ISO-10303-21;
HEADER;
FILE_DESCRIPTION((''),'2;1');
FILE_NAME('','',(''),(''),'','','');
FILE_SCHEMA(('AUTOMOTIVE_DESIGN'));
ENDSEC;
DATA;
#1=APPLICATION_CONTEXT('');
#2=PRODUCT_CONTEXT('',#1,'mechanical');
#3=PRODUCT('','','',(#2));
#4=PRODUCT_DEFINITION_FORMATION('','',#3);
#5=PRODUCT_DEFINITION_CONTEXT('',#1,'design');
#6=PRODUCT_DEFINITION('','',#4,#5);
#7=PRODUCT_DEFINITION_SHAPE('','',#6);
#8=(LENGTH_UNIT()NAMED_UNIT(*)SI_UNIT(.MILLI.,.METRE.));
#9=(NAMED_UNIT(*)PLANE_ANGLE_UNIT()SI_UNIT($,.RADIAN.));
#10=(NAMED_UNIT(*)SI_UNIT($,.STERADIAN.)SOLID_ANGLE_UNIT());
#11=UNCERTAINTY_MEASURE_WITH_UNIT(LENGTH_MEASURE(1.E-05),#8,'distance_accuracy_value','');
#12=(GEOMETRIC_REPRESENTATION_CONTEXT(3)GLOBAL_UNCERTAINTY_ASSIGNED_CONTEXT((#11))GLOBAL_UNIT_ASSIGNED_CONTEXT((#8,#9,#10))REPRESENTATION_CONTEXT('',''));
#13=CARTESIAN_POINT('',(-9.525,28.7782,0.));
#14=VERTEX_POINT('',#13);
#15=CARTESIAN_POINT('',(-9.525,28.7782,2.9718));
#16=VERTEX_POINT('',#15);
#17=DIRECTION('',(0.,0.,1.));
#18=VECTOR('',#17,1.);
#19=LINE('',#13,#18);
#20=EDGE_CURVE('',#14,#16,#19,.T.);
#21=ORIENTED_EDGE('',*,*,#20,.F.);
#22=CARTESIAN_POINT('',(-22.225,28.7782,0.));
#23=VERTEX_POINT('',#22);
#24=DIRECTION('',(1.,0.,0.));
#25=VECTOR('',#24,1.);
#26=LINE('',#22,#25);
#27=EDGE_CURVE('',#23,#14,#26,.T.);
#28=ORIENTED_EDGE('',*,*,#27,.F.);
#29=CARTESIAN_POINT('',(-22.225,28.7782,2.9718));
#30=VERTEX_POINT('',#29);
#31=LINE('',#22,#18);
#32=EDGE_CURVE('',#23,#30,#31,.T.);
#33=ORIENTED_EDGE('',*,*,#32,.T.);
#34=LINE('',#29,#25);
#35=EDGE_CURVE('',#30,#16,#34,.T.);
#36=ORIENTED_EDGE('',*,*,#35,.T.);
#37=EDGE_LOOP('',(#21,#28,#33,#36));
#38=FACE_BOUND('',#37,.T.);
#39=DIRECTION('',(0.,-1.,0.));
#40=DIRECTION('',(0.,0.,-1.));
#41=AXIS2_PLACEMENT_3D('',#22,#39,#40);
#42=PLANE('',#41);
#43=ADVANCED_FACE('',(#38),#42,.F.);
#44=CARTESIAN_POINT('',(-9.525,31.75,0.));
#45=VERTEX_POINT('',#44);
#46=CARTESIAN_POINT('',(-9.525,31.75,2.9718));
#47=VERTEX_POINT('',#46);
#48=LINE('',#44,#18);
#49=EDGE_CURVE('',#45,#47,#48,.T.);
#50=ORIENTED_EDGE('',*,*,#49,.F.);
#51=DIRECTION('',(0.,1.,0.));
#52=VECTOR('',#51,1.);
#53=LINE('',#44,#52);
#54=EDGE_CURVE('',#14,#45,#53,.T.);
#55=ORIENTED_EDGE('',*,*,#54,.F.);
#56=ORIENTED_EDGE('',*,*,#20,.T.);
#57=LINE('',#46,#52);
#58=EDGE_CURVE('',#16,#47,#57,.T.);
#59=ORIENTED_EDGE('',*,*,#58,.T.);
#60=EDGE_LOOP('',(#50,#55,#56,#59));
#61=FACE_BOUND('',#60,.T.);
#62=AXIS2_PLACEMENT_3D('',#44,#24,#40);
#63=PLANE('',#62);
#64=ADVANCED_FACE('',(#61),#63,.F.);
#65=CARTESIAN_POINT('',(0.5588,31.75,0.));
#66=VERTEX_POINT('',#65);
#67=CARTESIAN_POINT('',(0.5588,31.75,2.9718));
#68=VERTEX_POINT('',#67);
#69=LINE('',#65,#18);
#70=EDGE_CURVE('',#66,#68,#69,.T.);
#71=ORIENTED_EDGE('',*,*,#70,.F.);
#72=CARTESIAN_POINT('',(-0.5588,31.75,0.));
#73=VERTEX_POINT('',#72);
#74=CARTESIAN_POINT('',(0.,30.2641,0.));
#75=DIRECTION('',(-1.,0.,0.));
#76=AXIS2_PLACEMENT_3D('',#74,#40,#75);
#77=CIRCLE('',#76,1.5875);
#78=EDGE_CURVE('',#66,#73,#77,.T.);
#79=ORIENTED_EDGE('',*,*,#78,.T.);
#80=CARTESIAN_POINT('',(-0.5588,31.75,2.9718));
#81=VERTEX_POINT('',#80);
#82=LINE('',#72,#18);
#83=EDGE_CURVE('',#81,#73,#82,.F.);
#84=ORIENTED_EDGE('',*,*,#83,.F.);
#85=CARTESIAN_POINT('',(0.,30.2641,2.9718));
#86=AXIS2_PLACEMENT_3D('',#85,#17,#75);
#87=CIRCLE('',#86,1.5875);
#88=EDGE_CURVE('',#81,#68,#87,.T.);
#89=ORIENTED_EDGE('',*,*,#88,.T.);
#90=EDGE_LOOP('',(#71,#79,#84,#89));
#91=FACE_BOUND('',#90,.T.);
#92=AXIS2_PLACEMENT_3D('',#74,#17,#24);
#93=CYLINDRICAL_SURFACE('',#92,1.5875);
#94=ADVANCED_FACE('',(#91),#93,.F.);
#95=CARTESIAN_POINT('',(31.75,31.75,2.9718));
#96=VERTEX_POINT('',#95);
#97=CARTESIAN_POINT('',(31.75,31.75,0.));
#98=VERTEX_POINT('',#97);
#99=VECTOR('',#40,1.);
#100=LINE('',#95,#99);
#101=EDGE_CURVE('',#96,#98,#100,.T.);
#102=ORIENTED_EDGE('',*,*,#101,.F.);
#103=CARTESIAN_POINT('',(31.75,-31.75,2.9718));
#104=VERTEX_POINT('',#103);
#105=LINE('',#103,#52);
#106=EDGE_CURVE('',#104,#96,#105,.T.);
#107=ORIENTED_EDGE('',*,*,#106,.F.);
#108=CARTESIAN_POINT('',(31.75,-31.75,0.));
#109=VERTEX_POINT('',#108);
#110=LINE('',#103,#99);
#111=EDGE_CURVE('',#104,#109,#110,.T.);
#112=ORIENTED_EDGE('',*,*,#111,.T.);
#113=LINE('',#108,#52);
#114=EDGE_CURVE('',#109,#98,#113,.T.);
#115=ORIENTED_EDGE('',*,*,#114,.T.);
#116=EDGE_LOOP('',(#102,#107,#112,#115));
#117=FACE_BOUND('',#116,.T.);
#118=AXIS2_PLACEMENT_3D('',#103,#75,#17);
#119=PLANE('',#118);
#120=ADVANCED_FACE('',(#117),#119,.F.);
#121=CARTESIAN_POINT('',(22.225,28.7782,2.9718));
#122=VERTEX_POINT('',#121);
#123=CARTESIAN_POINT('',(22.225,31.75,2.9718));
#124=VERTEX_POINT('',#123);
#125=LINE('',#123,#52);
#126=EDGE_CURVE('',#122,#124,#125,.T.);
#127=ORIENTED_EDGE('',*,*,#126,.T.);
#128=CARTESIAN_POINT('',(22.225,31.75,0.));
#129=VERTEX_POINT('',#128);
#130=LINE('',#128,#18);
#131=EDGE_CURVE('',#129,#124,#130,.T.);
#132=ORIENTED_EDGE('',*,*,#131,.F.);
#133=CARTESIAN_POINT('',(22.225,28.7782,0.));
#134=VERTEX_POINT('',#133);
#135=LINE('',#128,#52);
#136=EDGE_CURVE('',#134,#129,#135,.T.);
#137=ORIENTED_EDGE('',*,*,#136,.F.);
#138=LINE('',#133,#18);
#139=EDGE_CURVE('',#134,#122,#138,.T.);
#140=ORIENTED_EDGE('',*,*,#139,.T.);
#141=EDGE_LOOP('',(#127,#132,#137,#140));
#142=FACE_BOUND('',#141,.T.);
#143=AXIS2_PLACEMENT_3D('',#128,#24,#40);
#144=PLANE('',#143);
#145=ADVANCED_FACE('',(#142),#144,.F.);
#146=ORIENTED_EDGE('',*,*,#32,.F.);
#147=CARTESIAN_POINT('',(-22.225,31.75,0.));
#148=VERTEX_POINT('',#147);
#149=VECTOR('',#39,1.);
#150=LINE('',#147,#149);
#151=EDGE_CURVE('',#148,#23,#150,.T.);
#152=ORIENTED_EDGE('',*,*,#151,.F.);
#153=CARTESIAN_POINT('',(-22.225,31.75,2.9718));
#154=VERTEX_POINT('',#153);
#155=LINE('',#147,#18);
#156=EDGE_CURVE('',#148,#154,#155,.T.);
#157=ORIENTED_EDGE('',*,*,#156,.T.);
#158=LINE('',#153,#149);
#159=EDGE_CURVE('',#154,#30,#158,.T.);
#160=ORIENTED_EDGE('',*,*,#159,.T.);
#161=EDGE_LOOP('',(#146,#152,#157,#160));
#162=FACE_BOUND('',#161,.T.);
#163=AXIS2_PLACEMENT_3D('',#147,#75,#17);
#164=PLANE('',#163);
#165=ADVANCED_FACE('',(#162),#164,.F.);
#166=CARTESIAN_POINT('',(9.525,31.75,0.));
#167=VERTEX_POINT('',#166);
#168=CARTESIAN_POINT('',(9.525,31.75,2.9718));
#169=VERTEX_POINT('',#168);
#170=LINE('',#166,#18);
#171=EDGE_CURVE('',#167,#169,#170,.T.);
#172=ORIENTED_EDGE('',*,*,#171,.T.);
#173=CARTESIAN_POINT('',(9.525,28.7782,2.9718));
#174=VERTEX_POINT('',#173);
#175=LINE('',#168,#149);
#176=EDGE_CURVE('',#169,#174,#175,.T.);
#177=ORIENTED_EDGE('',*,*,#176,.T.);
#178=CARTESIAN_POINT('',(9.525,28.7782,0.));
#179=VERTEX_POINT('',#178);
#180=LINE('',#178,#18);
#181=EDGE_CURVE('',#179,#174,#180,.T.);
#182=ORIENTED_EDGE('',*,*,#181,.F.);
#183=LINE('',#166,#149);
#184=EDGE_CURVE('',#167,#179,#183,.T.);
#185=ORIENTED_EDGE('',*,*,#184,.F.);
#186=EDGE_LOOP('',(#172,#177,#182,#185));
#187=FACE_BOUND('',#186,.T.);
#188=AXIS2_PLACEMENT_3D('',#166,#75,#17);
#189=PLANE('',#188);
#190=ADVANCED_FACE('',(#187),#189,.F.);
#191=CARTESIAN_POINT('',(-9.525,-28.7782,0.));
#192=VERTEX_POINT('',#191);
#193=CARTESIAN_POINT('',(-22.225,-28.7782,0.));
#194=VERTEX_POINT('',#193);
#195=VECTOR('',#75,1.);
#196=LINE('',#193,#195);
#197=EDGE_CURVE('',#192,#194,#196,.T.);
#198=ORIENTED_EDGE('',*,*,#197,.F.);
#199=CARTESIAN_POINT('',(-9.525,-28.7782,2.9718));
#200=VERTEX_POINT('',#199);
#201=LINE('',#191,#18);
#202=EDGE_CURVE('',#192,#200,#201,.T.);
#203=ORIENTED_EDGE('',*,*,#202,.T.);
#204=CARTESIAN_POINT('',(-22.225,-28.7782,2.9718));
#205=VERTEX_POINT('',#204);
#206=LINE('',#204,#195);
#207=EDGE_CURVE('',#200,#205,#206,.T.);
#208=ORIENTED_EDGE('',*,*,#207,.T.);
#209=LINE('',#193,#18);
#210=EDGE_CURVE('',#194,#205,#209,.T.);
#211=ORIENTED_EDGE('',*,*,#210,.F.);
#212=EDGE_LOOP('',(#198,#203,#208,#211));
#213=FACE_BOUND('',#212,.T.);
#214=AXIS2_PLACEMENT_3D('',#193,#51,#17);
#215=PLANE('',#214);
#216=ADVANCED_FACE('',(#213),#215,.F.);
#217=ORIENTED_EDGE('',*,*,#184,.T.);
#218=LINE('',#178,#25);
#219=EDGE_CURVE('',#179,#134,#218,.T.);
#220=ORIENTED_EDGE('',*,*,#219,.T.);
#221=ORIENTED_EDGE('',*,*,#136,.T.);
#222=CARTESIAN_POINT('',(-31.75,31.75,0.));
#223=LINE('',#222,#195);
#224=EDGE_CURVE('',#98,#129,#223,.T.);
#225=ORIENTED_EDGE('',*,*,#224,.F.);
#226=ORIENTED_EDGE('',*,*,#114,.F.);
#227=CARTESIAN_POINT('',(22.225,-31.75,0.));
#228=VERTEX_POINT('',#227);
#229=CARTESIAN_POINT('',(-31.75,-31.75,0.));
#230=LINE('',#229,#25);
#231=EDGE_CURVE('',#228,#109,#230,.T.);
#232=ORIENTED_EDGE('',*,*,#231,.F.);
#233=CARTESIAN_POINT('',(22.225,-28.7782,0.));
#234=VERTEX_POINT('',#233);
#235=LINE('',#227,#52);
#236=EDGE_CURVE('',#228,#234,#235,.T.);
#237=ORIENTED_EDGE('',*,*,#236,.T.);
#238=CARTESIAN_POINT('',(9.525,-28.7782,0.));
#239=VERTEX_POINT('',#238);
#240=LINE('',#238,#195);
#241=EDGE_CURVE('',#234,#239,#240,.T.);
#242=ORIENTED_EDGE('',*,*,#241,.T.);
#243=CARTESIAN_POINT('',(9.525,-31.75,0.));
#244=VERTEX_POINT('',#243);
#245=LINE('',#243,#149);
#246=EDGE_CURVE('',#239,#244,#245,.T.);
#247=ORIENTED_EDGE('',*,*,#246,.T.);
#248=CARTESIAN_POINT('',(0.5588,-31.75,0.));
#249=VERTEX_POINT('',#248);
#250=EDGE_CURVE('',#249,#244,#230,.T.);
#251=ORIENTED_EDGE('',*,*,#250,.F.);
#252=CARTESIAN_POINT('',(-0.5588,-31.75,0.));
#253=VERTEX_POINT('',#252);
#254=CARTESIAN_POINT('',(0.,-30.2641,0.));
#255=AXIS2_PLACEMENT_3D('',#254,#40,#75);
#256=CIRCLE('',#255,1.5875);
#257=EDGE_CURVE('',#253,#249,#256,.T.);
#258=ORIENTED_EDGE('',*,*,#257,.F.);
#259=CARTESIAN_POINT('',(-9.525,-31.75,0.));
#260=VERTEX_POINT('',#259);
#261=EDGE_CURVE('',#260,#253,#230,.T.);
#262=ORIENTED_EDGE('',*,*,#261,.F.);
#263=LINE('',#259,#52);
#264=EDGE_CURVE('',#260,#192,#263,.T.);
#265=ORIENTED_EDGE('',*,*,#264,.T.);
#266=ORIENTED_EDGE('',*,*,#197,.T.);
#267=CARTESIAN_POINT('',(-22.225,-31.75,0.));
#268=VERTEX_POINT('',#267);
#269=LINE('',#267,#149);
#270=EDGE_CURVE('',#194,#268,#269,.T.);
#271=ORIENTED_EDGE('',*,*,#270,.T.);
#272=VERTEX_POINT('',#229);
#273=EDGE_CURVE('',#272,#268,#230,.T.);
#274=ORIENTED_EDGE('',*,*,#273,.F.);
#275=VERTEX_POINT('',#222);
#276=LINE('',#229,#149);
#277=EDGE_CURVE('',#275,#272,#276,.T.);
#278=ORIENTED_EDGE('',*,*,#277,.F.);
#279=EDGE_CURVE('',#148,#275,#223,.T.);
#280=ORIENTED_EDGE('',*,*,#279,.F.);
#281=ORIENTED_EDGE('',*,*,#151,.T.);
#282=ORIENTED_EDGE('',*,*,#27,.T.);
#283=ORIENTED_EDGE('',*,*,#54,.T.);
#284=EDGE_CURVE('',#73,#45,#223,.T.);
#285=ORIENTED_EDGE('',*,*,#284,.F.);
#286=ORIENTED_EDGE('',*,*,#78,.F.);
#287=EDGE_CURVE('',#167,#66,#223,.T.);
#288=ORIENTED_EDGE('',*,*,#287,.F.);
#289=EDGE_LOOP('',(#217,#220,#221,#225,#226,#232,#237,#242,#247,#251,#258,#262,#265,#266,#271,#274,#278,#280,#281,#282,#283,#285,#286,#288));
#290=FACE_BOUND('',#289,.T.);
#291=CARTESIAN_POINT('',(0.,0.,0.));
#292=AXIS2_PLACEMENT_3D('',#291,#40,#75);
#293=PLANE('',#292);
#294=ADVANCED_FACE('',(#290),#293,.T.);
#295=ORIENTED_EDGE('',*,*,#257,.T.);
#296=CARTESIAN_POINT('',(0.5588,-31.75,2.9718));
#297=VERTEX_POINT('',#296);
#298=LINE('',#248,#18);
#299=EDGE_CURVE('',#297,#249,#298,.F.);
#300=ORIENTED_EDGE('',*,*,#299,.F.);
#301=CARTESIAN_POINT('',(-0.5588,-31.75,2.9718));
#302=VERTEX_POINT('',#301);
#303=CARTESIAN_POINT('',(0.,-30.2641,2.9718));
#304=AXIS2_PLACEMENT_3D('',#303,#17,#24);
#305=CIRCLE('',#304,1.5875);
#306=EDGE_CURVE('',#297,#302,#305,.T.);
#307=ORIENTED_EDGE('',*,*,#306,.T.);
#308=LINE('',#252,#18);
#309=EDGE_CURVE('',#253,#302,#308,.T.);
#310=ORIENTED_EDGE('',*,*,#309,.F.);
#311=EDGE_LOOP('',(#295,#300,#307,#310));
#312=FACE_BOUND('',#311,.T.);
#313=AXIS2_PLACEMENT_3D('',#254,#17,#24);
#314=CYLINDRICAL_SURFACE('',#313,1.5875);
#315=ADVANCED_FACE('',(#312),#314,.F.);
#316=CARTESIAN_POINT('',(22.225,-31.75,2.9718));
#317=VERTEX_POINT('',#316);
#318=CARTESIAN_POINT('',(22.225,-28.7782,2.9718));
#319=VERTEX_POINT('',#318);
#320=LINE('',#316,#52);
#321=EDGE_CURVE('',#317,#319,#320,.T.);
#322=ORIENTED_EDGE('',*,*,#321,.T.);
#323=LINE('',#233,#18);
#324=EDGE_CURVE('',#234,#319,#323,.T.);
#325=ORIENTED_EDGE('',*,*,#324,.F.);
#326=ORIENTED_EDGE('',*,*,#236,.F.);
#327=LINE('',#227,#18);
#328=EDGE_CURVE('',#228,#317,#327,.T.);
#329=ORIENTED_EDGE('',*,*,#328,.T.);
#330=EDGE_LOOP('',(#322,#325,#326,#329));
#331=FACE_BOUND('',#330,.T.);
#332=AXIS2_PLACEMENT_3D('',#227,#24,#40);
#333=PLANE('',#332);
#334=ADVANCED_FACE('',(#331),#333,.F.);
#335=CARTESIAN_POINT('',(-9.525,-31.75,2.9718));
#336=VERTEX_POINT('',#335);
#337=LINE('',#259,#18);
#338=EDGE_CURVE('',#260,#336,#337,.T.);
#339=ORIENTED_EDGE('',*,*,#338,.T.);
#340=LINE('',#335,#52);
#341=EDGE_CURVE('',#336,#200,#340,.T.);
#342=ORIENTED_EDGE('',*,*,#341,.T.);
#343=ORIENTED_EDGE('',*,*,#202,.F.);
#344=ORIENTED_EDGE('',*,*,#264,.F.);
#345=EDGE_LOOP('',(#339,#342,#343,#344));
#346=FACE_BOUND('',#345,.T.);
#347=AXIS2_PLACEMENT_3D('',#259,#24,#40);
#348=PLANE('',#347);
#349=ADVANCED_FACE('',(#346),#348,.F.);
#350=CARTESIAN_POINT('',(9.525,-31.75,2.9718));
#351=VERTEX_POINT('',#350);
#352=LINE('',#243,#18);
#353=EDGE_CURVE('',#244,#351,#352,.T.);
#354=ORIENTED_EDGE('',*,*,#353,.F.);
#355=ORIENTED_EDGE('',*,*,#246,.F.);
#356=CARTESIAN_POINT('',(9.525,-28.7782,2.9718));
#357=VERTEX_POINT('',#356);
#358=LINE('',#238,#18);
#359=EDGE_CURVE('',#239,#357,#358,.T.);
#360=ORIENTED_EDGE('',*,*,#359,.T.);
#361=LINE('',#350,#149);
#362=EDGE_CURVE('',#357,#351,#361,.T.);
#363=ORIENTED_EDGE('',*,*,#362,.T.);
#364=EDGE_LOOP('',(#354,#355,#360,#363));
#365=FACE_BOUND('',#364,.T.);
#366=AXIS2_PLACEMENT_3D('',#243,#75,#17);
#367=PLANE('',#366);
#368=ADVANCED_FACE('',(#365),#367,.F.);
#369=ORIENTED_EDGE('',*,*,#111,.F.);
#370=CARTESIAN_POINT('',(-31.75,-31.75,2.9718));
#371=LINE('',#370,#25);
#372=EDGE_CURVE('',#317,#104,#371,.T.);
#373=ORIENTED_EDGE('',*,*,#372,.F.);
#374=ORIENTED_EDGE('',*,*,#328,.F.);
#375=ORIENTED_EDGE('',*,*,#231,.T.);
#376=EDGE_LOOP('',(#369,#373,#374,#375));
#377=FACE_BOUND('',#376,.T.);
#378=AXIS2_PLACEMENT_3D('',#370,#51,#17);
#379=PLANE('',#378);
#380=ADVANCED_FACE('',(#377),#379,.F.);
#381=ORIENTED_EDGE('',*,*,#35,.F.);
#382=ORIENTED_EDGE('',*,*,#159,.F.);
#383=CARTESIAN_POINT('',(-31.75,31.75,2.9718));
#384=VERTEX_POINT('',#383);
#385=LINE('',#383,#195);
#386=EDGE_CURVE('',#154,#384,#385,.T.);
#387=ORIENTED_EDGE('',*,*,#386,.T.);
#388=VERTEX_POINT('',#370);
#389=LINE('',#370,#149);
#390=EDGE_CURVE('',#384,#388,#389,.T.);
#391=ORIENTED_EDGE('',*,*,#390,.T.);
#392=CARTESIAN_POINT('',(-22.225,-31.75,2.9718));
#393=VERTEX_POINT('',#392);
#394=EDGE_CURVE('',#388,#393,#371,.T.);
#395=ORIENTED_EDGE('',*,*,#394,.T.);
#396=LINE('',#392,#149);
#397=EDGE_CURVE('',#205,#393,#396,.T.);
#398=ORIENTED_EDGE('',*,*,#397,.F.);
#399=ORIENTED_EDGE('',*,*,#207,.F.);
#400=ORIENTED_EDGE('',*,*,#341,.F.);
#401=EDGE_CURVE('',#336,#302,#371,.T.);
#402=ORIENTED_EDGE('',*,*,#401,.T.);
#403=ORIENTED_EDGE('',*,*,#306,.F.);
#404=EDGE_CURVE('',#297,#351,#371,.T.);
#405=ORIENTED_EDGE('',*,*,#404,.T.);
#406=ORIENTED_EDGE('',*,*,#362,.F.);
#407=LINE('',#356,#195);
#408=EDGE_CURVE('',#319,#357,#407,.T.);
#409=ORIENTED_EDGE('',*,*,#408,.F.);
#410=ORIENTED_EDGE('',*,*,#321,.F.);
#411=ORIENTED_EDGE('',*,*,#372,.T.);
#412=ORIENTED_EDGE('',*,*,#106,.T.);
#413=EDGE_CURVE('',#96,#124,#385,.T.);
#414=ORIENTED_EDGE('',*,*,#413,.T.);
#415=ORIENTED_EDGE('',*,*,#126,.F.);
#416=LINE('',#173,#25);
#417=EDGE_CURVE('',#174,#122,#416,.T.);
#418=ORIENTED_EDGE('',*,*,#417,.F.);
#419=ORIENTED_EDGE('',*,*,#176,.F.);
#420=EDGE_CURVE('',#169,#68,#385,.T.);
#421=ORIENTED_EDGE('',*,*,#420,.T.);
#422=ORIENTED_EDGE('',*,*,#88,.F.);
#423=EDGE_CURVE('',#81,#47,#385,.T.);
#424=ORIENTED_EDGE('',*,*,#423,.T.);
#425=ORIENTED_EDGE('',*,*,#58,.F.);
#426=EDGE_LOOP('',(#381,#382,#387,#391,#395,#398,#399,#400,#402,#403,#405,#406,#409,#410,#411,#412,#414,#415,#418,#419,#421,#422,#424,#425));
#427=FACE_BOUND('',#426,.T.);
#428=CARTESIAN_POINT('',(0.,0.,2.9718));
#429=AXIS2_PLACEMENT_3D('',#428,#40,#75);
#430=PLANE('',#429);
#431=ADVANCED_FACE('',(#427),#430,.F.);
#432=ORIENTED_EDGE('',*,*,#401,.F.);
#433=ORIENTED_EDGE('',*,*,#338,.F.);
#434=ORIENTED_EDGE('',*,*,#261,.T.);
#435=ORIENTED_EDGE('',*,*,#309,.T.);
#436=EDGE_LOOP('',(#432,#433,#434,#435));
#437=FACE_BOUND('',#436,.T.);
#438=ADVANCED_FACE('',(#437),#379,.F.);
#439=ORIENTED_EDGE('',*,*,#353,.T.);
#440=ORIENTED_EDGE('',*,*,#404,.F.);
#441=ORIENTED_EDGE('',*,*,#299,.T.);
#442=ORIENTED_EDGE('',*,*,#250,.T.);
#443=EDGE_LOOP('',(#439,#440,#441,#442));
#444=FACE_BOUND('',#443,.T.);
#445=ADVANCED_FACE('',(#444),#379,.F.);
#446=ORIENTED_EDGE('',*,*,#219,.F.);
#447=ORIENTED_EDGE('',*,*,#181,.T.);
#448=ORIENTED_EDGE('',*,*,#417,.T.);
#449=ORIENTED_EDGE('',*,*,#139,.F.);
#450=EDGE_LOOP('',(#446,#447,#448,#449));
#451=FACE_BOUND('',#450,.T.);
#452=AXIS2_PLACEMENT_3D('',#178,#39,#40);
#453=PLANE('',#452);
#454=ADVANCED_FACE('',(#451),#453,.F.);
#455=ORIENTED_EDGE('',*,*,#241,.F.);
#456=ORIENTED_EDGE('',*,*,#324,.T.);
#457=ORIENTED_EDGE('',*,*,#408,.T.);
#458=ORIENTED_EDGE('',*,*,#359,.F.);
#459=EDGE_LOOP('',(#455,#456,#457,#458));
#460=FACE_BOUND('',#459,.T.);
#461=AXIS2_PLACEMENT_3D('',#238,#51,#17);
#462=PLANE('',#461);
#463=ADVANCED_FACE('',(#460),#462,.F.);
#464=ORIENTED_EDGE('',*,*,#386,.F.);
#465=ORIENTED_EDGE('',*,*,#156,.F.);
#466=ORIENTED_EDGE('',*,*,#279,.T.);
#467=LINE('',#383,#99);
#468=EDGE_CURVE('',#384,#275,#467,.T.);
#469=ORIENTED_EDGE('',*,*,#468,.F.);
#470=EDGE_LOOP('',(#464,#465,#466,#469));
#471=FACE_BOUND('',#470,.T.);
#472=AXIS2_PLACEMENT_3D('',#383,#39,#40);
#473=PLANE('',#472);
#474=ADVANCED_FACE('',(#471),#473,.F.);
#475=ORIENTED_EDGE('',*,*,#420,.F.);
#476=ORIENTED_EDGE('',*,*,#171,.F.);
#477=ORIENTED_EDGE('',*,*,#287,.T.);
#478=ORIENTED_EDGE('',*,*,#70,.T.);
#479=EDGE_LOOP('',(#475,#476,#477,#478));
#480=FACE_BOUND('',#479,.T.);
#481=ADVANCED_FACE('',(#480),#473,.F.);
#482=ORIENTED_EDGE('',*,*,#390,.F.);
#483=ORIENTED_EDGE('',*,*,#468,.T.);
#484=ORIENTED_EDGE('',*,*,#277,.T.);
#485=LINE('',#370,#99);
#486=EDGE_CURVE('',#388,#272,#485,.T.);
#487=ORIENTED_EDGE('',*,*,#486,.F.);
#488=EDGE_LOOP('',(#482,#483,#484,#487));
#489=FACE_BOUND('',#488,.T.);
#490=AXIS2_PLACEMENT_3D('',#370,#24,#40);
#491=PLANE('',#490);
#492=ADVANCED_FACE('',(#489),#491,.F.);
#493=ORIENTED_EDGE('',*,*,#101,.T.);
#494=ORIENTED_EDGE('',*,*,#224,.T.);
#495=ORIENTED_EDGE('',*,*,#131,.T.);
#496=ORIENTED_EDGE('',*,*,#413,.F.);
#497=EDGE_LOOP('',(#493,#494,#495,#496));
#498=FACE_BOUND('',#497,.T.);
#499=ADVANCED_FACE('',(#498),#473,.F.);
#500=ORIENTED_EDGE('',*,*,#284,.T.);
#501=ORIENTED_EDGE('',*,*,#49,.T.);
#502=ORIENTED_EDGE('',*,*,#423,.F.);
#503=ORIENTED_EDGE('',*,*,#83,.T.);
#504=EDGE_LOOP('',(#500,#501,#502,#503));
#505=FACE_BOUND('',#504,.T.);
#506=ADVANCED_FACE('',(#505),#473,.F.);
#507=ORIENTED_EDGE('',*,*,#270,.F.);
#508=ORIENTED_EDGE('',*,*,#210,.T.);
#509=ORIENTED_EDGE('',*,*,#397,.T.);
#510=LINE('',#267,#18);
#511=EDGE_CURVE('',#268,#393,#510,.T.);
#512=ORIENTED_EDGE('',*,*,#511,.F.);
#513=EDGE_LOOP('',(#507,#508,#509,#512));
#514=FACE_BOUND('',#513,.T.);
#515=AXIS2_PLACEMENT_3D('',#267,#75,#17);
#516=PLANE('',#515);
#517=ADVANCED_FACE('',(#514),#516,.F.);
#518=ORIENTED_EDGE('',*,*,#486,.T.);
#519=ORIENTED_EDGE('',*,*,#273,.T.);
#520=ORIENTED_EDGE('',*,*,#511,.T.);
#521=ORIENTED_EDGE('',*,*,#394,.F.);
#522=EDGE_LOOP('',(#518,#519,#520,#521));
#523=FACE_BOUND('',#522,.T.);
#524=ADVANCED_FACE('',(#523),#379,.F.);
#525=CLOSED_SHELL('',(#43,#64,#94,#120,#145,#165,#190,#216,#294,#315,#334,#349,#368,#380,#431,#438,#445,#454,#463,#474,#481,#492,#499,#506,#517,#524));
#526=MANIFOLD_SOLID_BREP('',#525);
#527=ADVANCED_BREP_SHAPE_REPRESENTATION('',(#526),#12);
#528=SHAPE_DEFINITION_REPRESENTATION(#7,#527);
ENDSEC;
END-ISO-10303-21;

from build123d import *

# Parameters (mm, degrees)
SKETCH1_W           = 63.5
SKETCH1_H           = 63.5
BOSS_EXTRUDE1_DEPTH = 2.9718
SKETCH2_R           = 1.5875
SKETCH2_W           = 12.7
SKETCH2_H           = 2.9718
CUT_EXTRUDE1_DEPTH  = 45.999517722


with BuildPart() as part:
    # Sketch1 → Boss-Extrude1 (new body)
    with BuildSketch(Plane.XY):
        Rectangle(SKETCH1_W, SKETCH1_H)
    extrude(amount=BOSS_EXTRUDE1_DEPTH)

    # Sketch2 → Cut-Extrude1 (cut, through all)
    with BuildSketch(Plane.XY.offset(2.9718)):
        with Locations((0, -30.2641)):
            Circle(SKETCH2_R)
        with Locations((0, 30.2641)):
            Circle(SKETCH2_R)
        with Locations((15.875, -30.2641)):
            Rectangle(SKETCH2_W, SKETCH2_H)
        with Locations((-15.875, -30.2641)):
            Rectangle(SKETCH2_W, SKETCH2_H)
        with Locations((15.875, 30.2641)):
            Rectangle(SKETCH2_W, SKETCH2_H)
        with Locations((-15.875, 30.2641)):
            Rectangle(SKETCH2_W, SKETCH2_H)
    extrude(amount=-CUT_EXTRUDE1_DEPTH, mode=Mode.SUBTRACT)


solid = part.part
